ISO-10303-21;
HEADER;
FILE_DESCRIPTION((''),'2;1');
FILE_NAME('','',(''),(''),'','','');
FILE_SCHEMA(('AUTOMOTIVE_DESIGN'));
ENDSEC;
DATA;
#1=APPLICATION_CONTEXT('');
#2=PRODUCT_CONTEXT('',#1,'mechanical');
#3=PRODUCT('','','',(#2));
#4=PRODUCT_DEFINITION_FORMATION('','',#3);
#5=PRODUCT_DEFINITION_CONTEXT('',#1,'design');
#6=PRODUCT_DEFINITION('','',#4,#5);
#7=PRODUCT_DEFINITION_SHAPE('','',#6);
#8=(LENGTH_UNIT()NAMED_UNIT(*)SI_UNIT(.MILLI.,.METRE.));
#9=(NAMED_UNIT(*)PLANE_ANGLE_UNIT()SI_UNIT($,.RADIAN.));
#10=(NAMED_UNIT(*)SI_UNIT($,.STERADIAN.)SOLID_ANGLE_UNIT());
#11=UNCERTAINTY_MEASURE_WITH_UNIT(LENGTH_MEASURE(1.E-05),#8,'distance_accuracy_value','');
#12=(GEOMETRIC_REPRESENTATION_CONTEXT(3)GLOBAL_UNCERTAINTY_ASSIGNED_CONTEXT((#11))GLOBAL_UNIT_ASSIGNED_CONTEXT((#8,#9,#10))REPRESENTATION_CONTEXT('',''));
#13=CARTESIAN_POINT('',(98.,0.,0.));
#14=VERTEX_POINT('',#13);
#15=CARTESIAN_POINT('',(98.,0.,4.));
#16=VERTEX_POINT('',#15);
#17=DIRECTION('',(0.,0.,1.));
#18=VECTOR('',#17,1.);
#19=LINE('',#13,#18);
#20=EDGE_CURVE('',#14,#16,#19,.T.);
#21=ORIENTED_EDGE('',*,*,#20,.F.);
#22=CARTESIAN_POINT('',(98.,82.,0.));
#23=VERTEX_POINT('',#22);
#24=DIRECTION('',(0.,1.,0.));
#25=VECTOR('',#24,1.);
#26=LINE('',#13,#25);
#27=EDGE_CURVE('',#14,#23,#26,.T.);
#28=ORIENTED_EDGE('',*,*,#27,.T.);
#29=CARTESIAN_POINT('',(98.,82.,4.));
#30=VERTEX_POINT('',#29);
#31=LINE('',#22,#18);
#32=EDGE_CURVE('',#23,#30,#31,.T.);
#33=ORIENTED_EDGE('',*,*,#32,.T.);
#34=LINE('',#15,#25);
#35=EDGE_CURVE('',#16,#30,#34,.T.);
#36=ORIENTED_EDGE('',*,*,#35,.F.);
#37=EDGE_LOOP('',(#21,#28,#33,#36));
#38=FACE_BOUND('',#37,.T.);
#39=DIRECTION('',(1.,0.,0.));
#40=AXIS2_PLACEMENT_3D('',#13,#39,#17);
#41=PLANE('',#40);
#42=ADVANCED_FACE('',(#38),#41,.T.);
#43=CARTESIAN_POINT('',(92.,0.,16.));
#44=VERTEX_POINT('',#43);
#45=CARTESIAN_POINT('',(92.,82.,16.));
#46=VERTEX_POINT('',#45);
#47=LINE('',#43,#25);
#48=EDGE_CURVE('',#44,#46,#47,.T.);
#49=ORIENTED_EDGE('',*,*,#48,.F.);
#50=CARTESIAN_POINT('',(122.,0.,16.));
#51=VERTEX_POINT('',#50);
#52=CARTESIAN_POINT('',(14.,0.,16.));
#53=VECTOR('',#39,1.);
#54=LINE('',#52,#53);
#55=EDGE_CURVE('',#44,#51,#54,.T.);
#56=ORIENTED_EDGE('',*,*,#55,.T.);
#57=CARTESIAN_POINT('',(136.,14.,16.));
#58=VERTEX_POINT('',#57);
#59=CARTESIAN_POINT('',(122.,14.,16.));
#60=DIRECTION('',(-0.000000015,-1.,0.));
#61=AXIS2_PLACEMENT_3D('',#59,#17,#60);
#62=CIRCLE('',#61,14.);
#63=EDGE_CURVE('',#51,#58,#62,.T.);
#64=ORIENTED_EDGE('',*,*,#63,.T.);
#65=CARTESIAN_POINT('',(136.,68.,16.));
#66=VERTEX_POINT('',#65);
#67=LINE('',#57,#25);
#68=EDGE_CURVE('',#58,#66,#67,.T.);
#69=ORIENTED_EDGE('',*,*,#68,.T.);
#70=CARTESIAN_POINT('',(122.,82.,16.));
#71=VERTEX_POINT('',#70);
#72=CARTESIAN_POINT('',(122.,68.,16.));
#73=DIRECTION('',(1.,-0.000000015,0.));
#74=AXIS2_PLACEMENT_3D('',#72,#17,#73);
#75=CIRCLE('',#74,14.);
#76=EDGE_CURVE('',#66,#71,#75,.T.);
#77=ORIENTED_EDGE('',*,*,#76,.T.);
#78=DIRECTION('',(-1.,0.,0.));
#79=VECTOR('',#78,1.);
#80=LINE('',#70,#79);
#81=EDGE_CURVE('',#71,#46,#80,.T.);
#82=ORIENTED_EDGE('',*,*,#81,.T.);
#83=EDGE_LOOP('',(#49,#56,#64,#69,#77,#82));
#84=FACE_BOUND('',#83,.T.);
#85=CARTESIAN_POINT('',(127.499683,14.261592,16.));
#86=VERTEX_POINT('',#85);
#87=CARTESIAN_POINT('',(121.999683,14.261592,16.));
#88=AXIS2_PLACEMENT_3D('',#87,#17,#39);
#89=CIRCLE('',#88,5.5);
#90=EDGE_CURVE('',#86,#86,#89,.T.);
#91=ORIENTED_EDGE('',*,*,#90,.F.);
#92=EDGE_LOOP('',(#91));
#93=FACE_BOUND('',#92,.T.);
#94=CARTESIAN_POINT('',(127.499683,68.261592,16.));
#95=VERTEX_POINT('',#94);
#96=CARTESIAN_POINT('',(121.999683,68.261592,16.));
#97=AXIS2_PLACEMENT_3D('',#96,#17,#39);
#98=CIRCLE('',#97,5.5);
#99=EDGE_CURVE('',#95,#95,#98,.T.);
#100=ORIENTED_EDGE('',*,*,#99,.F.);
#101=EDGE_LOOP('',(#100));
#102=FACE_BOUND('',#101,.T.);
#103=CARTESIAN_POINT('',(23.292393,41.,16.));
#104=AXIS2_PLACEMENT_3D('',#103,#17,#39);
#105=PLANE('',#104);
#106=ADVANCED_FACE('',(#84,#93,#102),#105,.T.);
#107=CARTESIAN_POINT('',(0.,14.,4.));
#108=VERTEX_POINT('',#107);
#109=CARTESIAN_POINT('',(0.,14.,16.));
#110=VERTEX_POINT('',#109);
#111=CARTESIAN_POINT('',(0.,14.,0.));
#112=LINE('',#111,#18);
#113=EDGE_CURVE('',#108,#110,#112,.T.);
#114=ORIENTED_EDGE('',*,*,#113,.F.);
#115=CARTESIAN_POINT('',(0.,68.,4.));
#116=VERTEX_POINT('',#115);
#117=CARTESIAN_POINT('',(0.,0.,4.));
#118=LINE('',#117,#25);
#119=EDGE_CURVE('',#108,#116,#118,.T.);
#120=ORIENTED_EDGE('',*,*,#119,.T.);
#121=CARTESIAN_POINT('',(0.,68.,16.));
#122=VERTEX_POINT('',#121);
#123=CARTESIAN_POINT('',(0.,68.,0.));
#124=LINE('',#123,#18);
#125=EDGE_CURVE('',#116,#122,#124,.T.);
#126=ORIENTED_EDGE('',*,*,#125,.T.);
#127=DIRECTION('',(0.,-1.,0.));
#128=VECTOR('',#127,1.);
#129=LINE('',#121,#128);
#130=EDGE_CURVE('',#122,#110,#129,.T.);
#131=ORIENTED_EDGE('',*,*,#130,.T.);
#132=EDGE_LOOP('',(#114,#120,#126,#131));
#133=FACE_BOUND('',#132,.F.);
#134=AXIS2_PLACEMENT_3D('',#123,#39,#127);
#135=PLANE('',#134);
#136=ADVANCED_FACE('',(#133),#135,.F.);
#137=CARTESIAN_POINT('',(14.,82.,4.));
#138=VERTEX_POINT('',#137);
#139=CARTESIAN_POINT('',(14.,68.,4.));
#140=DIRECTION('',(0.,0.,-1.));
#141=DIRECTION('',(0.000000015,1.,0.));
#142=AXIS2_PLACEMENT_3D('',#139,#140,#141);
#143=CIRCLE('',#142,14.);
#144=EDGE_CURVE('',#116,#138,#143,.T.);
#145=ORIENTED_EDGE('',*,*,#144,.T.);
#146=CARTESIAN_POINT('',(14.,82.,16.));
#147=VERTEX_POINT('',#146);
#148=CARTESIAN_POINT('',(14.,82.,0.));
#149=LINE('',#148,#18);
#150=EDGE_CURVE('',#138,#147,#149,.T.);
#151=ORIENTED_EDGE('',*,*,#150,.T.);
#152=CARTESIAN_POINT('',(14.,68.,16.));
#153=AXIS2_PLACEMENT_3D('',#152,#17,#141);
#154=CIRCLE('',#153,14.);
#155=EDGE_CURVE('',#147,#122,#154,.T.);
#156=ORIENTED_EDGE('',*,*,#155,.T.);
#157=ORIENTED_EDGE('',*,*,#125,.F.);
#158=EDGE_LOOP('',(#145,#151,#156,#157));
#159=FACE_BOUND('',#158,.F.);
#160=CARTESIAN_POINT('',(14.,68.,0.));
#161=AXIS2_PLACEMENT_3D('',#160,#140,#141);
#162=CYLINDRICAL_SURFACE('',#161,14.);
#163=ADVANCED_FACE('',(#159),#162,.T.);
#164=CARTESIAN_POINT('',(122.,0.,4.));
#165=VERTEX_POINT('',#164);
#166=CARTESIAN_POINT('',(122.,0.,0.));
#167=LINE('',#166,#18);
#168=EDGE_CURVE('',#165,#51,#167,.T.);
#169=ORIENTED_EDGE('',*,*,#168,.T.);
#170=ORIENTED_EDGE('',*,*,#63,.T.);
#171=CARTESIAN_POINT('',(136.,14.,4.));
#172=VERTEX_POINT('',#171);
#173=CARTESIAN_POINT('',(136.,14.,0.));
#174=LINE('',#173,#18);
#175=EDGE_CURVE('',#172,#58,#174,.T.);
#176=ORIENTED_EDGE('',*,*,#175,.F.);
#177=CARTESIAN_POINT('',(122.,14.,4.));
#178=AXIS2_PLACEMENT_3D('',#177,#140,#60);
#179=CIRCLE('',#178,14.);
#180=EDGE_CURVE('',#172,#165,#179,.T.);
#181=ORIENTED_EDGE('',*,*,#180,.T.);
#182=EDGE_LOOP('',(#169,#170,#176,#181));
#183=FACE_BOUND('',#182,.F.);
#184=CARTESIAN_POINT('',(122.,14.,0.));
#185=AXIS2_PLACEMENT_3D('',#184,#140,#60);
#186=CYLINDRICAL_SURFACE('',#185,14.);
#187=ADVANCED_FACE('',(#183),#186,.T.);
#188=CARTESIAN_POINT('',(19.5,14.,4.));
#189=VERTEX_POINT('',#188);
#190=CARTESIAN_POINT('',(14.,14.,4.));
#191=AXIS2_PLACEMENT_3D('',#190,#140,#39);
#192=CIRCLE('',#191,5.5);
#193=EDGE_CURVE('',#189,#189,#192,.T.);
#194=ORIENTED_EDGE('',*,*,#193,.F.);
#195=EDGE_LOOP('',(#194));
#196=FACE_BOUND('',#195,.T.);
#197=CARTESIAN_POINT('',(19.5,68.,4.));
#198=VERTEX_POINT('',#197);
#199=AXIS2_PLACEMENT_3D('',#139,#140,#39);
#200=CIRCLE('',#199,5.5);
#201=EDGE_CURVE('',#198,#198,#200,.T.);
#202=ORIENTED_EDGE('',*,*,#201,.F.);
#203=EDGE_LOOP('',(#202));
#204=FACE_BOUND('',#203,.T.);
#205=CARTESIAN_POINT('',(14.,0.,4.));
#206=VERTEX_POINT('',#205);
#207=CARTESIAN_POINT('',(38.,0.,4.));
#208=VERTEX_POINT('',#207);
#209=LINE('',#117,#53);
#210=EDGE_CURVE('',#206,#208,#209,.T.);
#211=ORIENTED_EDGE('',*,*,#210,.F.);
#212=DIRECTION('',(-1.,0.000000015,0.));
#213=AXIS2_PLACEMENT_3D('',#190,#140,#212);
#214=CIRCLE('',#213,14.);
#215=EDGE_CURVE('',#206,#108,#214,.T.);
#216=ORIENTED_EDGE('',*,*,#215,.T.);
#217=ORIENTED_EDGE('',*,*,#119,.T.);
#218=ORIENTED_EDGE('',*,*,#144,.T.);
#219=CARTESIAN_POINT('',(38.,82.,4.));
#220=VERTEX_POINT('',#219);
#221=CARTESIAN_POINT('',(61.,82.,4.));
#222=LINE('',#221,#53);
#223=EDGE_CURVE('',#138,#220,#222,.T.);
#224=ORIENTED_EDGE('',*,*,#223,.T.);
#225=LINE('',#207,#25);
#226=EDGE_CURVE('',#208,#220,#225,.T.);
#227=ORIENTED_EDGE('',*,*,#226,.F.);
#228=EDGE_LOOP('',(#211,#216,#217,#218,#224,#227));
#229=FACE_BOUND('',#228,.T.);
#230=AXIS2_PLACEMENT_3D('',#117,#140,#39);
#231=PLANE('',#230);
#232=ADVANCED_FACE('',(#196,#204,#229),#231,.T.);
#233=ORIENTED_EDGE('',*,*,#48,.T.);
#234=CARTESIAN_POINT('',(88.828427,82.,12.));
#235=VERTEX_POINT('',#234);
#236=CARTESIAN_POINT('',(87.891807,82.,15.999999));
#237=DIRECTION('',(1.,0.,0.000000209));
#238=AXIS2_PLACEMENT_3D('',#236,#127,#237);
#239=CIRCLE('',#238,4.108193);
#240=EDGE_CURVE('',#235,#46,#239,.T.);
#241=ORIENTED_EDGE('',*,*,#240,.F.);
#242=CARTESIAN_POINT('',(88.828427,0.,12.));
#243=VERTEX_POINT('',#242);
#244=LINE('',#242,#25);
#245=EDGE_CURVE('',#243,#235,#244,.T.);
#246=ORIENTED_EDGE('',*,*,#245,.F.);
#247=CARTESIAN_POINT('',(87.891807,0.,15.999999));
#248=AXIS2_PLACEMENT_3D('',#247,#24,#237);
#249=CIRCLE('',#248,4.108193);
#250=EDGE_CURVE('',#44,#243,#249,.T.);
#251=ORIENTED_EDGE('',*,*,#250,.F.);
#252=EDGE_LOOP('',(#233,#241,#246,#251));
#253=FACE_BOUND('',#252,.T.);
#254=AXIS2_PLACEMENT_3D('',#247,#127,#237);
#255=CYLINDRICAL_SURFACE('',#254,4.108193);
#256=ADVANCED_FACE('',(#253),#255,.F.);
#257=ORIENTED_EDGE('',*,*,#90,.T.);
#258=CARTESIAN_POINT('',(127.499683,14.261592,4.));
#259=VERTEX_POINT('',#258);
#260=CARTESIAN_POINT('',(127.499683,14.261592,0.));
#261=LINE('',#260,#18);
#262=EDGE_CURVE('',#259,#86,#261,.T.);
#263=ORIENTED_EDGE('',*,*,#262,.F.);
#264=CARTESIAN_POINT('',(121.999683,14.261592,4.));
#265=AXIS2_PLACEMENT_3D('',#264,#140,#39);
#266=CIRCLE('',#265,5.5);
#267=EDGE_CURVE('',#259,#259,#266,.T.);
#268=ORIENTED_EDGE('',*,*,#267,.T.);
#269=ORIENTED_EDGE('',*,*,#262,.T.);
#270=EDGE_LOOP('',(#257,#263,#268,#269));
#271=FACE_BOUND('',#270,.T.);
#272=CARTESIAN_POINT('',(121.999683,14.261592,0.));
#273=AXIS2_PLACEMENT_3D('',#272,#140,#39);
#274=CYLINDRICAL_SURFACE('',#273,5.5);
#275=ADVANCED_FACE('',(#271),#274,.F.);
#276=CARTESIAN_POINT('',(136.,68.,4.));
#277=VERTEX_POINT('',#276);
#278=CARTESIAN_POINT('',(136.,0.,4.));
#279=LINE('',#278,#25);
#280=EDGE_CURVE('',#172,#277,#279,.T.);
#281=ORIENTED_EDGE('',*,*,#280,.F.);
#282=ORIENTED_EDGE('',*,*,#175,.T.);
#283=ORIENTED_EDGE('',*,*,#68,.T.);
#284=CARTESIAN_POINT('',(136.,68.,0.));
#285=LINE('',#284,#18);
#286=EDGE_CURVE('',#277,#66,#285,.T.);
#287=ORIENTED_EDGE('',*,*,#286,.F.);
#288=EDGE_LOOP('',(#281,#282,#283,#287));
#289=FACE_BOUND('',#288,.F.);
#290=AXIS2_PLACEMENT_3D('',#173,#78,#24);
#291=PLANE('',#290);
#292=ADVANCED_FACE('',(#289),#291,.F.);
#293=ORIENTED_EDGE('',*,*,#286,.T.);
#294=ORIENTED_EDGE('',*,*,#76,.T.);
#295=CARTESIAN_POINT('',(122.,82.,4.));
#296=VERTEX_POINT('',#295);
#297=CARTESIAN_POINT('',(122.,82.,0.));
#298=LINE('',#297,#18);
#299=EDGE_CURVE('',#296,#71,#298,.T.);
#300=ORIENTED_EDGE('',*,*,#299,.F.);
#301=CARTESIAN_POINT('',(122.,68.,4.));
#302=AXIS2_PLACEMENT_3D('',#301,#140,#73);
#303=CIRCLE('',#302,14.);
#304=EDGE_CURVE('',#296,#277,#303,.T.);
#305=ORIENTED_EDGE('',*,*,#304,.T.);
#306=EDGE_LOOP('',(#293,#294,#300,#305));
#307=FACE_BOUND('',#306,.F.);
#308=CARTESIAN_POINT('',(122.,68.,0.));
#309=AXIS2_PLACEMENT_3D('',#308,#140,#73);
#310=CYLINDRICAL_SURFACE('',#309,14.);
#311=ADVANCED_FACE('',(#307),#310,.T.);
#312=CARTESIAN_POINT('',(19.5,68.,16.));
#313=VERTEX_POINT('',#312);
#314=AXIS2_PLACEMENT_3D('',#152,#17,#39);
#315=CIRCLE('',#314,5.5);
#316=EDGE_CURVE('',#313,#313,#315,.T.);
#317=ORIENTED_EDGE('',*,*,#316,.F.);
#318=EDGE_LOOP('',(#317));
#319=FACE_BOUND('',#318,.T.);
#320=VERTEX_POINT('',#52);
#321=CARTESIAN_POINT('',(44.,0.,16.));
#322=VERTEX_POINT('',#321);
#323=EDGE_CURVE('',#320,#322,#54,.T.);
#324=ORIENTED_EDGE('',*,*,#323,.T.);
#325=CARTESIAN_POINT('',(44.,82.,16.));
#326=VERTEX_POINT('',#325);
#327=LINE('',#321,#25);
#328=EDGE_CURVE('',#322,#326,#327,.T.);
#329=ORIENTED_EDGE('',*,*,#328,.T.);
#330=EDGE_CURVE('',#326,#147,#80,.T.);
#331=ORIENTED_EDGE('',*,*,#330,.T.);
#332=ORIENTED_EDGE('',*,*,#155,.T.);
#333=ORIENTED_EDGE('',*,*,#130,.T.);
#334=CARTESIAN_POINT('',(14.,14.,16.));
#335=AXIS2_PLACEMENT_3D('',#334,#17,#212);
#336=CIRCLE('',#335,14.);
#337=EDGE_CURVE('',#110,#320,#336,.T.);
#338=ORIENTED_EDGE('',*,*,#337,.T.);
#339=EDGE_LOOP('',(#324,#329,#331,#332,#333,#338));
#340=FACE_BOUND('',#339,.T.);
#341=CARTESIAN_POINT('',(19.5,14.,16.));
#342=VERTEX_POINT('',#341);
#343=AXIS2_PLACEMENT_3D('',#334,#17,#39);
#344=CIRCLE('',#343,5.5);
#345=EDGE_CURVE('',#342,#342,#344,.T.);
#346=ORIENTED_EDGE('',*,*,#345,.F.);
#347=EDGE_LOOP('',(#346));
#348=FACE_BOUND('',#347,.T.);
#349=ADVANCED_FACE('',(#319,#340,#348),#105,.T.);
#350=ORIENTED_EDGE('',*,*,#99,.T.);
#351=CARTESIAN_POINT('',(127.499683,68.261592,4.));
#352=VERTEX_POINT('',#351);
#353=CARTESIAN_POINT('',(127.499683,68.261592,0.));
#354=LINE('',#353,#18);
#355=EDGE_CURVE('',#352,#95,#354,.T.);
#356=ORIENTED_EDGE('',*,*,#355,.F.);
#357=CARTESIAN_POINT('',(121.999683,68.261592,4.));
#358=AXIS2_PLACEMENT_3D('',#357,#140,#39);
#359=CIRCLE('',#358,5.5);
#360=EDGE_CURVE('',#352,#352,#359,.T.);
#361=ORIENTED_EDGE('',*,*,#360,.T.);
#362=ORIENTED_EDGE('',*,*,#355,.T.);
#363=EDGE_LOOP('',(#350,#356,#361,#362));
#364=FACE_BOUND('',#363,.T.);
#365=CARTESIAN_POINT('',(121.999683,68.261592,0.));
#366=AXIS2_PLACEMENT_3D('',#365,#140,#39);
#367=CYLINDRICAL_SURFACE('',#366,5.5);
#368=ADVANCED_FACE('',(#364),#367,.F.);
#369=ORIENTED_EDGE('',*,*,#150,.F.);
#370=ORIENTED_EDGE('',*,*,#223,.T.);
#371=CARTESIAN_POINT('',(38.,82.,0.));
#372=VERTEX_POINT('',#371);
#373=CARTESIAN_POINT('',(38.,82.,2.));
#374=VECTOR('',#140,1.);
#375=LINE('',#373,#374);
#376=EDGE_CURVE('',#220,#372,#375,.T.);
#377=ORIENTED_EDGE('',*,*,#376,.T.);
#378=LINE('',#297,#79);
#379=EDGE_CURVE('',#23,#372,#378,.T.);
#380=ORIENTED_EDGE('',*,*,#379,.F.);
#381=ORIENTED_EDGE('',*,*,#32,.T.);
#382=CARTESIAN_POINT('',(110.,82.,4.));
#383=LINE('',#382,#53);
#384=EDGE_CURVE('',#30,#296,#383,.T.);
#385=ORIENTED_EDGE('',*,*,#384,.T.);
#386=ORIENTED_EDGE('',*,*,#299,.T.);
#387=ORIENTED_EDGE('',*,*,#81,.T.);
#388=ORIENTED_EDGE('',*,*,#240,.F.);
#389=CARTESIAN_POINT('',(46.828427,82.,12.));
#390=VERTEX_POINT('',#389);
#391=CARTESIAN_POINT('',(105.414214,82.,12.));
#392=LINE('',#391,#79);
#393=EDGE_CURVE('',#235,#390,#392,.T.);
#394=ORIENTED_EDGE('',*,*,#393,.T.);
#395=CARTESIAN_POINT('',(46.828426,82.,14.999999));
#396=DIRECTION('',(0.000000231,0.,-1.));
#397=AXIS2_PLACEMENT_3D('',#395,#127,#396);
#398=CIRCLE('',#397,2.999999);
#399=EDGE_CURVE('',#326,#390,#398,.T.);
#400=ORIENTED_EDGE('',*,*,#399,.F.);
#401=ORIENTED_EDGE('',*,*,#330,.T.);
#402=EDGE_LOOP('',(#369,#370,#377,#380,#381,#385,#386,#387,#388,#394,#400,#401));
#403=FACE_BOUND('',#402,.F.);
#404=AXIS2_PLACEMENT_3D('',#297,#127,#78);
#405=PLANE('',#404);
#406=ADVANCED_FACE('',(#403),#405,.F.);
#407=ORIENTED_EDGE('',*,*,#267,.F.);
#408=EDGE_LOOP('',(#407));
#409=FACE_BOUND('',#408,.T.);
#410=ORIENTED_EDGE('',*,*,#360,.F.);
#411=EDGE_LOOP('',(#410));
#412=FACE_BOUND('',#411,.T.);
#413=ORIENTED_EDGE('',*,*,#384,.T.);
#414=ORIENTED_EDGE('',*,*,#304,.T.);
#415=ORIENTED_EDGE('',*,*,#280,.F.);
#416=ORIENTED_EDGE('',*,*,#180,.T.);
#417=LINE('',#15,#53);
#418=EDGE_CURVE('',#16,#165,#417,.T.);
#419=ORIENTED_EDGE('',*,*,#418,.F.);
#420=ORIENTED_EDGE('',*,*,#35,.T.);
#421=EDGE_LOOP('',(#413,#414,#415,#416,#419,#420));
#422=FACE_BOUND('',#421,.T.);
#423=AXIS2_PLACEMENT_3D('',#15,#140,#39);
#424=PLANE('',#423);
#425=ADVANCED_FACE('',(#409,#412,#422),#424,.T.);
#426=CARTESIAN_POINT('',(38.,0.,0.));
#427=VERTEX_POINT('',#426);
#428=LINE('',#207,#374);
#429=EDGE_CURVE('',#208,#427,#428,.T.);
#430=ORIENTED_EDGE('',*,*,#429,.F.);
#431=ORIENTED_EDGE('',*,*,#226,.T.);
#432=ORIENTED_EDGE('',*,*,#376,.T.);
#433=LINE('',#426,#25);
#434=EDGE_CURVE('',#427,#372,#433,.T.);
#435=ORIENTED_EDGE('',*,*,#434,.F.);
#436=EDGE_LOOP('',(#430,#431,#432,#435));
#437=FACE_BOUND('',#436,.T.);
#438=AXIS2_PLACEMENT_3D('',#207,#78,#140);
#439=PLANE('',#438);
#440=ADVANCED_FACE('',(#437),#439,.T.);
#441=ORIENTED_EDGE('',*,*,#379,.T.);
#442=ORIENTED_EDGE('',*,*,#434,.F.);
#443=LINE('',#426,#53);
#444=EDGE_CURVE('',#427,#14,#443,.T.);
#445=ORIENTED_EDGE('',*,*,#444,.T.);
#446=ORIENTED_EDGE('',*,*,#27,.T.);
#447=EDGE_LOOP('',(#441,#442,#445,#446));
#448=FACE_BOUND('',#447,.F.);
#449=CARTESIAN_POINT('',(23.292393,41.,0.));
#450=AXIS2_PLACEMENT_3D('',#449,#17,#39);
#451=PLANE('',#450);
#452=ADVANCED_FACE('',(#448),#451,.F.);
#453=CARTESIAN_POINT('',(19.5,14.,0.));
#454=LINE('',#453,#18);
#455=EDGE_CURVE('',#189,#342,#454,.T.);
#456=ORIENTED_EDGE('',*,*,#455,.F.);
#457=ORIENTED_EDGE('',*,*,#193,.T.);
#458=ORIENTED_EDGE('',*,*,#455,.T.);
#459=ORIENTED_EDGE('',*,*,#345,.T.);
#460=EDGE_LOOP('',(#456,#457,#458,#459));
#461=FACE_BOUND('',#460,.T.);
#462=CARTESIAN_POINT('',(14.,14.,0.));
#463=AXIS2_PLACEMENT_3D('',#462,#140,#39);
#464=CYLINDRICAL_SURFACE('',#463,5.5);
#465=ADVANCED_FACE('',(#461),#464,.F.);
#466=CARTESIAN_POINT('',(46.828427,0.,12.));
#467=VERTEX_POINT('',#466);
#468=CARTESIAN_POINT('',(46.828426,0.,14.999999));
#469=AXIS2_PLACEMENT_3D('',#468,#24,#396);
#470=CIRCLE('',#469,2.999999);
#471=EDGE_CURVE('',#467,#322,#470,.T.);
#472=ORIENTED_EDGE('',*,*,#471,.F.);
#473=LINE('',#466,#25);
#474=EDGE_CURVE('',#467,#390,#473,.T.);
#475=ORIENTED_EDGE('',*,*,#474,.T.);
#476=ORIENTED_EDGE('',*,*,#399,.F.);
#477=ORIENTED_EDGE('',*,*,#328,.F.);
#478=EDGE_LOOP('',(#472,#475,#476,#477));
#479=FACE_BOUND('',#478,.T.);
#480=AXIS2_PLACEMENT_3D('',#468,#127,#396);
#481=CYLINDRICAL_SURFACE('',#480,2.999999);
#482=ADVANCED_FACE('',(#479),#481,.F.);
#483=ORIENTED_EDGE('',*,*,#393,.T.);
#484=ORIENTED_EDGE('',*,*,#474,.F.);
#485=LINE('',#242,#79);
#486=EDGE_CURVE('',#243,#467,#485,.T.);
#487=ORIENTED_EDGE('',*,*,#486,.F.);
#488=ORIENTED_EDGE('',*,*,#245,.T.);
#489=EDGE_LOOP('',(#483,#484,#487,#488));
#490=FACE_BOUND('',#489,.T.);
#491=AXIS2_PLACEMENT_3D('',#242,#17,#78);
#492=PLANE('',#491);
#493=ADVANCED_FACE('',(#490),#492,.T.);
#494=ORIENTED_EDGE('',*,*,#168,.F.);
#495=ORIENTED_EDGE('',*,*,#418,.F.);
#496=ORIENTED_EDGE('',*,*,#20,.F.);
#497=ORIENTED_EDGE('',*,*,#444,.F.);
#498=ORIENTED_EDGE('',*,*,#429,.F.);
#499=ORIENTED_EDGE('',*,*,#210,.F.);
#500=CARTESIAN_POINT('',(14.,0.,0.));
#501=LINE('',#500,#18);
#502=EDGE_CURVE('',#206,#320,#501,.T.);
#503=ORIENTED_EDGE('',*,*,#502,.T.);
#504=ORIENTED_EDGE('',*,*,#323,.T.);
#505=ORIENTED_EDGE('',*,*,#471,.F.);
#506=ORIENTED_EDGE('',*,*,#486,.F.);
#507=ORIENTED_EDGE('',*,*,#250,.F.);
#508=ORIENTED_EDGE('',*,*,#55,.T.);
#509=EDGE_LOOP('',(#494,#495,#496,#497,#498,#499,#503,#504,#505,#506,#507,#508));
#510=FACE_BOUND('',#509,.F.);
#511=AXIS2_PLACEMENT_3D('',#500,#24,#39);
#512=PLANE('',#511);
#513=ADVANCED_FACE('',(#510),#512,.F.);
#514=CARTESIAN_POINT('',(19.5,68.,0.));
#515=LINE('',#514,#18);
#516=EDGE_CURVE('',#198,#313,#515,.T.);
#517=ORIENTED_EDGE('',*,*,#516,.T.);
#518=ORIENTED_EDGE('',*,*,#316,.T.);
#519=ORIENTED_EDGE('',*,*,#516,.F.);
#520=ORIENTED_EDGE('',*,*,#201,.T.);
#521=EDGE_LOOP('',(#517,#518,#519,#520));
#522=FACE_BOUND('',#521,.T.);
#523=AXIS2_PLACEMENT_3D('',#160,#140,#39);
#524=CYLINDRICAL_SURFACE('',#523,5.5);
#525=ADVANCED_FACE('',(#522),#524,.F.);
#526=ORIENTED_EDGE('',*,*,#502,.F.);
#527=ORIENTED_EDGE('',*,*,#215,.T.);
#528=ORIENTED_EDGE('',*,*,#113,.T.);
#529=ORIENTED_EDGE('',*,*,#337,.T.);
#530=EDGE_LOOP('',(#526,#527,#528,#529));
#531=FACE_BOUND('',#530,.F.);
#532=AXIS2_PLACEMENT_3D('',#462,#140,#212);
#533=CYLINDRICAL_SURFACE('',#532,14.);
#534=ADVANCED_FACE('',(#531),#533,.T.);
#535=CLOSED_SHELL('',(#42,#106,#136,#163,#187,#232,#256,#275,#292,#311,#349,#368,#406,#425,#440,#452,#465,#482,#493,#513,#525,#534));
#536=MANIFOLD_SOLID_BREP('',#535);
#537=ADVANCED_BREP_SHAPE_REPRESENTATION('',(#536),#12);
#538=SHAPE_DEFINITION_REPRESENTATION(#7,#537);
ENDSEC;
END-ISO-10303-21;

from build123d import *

# Parameters (mm, degrees)
F0_R     = 5.5
F0_W     = 48
F0_H     = 82
F1_DEPTH = 16
F3_DEPTH = 82.001


with BuildPart() as f1:
    # F0 (on Top) → F1 (new body)
    with BuildSketch(Plane.XY):
        with BuildLine():
            Line((0, 68), (0, 14))
            ThreePointArc((0, 14), (4.100505, 4.100505), (14, 0))
            Line((14, 0), (44, 0))
            Line((44, 0), (44, 82))
            Line((44, 82), (14, 82))
            ThreePointArc((14, 82), (4.100505, 77.899495), (0, 68))
        make_face()
        with Locations((14, 14)):
            Circle(F0_R, mode=Mode.SUBTRACT)
        with Locations((14, 68)):
            Circle(F0_R, mode=Mode.SUBTRACT)
        with Locations((68, 41)):
            Rectangle(F0_W, F0_H)
        with BuildLine():
            Line((92, 82), (92, 0))
            Line((92, 0), (122, 0))
            ThreePointArc((122, 0), (131.899495, 4.100505), (136, 14))
            Line((136, 14), (136, 68))
            ThreePointArc((136, 68), (131.899495, 77.899495), (122, 82))
            Line((122, 82), (92, 82))
        make_face()
        with Locations((121.999683, 14.261592)):
            Circle(F0_R, mode=Mode.SUBTRACT)
        with Locations((121.999683, 68.261592)):
            Circle(F0_R, mode=Mode.SUBTRACT)
    extrude(amount=F1_DEPTH)

    # F2 (on Front) → F3 (intersect, through all)
    with BuildSketch(Plane.XZ):
        with BuildLine():
            Line((0, 16), (0, 4))
            Line((0, 4), (38, 4))
            Line((38, 4), (38, 0))
            Line((38, 0), (98, 0))
            Line((98, 0), (98, 4))
            Line((98, 4), (136, 4))
            Line((136, 4), (136, 16))
            Line((136, 16), (92, 16))
            ThreePointArc((92, 16), (91.110896, 13.447605), (88.828427, 12))
            Line((88.828427, 12), (46.828427, 12))
            ThreePointArc((46.828427, 12), (44.378937, 13.267949), (44, 16))
            Line((44, 16), (0, 16))
        make_face()
    extrude(amount=-F3_DEPTH, mode=Mode.INTERSECT)


solid = f1.part
